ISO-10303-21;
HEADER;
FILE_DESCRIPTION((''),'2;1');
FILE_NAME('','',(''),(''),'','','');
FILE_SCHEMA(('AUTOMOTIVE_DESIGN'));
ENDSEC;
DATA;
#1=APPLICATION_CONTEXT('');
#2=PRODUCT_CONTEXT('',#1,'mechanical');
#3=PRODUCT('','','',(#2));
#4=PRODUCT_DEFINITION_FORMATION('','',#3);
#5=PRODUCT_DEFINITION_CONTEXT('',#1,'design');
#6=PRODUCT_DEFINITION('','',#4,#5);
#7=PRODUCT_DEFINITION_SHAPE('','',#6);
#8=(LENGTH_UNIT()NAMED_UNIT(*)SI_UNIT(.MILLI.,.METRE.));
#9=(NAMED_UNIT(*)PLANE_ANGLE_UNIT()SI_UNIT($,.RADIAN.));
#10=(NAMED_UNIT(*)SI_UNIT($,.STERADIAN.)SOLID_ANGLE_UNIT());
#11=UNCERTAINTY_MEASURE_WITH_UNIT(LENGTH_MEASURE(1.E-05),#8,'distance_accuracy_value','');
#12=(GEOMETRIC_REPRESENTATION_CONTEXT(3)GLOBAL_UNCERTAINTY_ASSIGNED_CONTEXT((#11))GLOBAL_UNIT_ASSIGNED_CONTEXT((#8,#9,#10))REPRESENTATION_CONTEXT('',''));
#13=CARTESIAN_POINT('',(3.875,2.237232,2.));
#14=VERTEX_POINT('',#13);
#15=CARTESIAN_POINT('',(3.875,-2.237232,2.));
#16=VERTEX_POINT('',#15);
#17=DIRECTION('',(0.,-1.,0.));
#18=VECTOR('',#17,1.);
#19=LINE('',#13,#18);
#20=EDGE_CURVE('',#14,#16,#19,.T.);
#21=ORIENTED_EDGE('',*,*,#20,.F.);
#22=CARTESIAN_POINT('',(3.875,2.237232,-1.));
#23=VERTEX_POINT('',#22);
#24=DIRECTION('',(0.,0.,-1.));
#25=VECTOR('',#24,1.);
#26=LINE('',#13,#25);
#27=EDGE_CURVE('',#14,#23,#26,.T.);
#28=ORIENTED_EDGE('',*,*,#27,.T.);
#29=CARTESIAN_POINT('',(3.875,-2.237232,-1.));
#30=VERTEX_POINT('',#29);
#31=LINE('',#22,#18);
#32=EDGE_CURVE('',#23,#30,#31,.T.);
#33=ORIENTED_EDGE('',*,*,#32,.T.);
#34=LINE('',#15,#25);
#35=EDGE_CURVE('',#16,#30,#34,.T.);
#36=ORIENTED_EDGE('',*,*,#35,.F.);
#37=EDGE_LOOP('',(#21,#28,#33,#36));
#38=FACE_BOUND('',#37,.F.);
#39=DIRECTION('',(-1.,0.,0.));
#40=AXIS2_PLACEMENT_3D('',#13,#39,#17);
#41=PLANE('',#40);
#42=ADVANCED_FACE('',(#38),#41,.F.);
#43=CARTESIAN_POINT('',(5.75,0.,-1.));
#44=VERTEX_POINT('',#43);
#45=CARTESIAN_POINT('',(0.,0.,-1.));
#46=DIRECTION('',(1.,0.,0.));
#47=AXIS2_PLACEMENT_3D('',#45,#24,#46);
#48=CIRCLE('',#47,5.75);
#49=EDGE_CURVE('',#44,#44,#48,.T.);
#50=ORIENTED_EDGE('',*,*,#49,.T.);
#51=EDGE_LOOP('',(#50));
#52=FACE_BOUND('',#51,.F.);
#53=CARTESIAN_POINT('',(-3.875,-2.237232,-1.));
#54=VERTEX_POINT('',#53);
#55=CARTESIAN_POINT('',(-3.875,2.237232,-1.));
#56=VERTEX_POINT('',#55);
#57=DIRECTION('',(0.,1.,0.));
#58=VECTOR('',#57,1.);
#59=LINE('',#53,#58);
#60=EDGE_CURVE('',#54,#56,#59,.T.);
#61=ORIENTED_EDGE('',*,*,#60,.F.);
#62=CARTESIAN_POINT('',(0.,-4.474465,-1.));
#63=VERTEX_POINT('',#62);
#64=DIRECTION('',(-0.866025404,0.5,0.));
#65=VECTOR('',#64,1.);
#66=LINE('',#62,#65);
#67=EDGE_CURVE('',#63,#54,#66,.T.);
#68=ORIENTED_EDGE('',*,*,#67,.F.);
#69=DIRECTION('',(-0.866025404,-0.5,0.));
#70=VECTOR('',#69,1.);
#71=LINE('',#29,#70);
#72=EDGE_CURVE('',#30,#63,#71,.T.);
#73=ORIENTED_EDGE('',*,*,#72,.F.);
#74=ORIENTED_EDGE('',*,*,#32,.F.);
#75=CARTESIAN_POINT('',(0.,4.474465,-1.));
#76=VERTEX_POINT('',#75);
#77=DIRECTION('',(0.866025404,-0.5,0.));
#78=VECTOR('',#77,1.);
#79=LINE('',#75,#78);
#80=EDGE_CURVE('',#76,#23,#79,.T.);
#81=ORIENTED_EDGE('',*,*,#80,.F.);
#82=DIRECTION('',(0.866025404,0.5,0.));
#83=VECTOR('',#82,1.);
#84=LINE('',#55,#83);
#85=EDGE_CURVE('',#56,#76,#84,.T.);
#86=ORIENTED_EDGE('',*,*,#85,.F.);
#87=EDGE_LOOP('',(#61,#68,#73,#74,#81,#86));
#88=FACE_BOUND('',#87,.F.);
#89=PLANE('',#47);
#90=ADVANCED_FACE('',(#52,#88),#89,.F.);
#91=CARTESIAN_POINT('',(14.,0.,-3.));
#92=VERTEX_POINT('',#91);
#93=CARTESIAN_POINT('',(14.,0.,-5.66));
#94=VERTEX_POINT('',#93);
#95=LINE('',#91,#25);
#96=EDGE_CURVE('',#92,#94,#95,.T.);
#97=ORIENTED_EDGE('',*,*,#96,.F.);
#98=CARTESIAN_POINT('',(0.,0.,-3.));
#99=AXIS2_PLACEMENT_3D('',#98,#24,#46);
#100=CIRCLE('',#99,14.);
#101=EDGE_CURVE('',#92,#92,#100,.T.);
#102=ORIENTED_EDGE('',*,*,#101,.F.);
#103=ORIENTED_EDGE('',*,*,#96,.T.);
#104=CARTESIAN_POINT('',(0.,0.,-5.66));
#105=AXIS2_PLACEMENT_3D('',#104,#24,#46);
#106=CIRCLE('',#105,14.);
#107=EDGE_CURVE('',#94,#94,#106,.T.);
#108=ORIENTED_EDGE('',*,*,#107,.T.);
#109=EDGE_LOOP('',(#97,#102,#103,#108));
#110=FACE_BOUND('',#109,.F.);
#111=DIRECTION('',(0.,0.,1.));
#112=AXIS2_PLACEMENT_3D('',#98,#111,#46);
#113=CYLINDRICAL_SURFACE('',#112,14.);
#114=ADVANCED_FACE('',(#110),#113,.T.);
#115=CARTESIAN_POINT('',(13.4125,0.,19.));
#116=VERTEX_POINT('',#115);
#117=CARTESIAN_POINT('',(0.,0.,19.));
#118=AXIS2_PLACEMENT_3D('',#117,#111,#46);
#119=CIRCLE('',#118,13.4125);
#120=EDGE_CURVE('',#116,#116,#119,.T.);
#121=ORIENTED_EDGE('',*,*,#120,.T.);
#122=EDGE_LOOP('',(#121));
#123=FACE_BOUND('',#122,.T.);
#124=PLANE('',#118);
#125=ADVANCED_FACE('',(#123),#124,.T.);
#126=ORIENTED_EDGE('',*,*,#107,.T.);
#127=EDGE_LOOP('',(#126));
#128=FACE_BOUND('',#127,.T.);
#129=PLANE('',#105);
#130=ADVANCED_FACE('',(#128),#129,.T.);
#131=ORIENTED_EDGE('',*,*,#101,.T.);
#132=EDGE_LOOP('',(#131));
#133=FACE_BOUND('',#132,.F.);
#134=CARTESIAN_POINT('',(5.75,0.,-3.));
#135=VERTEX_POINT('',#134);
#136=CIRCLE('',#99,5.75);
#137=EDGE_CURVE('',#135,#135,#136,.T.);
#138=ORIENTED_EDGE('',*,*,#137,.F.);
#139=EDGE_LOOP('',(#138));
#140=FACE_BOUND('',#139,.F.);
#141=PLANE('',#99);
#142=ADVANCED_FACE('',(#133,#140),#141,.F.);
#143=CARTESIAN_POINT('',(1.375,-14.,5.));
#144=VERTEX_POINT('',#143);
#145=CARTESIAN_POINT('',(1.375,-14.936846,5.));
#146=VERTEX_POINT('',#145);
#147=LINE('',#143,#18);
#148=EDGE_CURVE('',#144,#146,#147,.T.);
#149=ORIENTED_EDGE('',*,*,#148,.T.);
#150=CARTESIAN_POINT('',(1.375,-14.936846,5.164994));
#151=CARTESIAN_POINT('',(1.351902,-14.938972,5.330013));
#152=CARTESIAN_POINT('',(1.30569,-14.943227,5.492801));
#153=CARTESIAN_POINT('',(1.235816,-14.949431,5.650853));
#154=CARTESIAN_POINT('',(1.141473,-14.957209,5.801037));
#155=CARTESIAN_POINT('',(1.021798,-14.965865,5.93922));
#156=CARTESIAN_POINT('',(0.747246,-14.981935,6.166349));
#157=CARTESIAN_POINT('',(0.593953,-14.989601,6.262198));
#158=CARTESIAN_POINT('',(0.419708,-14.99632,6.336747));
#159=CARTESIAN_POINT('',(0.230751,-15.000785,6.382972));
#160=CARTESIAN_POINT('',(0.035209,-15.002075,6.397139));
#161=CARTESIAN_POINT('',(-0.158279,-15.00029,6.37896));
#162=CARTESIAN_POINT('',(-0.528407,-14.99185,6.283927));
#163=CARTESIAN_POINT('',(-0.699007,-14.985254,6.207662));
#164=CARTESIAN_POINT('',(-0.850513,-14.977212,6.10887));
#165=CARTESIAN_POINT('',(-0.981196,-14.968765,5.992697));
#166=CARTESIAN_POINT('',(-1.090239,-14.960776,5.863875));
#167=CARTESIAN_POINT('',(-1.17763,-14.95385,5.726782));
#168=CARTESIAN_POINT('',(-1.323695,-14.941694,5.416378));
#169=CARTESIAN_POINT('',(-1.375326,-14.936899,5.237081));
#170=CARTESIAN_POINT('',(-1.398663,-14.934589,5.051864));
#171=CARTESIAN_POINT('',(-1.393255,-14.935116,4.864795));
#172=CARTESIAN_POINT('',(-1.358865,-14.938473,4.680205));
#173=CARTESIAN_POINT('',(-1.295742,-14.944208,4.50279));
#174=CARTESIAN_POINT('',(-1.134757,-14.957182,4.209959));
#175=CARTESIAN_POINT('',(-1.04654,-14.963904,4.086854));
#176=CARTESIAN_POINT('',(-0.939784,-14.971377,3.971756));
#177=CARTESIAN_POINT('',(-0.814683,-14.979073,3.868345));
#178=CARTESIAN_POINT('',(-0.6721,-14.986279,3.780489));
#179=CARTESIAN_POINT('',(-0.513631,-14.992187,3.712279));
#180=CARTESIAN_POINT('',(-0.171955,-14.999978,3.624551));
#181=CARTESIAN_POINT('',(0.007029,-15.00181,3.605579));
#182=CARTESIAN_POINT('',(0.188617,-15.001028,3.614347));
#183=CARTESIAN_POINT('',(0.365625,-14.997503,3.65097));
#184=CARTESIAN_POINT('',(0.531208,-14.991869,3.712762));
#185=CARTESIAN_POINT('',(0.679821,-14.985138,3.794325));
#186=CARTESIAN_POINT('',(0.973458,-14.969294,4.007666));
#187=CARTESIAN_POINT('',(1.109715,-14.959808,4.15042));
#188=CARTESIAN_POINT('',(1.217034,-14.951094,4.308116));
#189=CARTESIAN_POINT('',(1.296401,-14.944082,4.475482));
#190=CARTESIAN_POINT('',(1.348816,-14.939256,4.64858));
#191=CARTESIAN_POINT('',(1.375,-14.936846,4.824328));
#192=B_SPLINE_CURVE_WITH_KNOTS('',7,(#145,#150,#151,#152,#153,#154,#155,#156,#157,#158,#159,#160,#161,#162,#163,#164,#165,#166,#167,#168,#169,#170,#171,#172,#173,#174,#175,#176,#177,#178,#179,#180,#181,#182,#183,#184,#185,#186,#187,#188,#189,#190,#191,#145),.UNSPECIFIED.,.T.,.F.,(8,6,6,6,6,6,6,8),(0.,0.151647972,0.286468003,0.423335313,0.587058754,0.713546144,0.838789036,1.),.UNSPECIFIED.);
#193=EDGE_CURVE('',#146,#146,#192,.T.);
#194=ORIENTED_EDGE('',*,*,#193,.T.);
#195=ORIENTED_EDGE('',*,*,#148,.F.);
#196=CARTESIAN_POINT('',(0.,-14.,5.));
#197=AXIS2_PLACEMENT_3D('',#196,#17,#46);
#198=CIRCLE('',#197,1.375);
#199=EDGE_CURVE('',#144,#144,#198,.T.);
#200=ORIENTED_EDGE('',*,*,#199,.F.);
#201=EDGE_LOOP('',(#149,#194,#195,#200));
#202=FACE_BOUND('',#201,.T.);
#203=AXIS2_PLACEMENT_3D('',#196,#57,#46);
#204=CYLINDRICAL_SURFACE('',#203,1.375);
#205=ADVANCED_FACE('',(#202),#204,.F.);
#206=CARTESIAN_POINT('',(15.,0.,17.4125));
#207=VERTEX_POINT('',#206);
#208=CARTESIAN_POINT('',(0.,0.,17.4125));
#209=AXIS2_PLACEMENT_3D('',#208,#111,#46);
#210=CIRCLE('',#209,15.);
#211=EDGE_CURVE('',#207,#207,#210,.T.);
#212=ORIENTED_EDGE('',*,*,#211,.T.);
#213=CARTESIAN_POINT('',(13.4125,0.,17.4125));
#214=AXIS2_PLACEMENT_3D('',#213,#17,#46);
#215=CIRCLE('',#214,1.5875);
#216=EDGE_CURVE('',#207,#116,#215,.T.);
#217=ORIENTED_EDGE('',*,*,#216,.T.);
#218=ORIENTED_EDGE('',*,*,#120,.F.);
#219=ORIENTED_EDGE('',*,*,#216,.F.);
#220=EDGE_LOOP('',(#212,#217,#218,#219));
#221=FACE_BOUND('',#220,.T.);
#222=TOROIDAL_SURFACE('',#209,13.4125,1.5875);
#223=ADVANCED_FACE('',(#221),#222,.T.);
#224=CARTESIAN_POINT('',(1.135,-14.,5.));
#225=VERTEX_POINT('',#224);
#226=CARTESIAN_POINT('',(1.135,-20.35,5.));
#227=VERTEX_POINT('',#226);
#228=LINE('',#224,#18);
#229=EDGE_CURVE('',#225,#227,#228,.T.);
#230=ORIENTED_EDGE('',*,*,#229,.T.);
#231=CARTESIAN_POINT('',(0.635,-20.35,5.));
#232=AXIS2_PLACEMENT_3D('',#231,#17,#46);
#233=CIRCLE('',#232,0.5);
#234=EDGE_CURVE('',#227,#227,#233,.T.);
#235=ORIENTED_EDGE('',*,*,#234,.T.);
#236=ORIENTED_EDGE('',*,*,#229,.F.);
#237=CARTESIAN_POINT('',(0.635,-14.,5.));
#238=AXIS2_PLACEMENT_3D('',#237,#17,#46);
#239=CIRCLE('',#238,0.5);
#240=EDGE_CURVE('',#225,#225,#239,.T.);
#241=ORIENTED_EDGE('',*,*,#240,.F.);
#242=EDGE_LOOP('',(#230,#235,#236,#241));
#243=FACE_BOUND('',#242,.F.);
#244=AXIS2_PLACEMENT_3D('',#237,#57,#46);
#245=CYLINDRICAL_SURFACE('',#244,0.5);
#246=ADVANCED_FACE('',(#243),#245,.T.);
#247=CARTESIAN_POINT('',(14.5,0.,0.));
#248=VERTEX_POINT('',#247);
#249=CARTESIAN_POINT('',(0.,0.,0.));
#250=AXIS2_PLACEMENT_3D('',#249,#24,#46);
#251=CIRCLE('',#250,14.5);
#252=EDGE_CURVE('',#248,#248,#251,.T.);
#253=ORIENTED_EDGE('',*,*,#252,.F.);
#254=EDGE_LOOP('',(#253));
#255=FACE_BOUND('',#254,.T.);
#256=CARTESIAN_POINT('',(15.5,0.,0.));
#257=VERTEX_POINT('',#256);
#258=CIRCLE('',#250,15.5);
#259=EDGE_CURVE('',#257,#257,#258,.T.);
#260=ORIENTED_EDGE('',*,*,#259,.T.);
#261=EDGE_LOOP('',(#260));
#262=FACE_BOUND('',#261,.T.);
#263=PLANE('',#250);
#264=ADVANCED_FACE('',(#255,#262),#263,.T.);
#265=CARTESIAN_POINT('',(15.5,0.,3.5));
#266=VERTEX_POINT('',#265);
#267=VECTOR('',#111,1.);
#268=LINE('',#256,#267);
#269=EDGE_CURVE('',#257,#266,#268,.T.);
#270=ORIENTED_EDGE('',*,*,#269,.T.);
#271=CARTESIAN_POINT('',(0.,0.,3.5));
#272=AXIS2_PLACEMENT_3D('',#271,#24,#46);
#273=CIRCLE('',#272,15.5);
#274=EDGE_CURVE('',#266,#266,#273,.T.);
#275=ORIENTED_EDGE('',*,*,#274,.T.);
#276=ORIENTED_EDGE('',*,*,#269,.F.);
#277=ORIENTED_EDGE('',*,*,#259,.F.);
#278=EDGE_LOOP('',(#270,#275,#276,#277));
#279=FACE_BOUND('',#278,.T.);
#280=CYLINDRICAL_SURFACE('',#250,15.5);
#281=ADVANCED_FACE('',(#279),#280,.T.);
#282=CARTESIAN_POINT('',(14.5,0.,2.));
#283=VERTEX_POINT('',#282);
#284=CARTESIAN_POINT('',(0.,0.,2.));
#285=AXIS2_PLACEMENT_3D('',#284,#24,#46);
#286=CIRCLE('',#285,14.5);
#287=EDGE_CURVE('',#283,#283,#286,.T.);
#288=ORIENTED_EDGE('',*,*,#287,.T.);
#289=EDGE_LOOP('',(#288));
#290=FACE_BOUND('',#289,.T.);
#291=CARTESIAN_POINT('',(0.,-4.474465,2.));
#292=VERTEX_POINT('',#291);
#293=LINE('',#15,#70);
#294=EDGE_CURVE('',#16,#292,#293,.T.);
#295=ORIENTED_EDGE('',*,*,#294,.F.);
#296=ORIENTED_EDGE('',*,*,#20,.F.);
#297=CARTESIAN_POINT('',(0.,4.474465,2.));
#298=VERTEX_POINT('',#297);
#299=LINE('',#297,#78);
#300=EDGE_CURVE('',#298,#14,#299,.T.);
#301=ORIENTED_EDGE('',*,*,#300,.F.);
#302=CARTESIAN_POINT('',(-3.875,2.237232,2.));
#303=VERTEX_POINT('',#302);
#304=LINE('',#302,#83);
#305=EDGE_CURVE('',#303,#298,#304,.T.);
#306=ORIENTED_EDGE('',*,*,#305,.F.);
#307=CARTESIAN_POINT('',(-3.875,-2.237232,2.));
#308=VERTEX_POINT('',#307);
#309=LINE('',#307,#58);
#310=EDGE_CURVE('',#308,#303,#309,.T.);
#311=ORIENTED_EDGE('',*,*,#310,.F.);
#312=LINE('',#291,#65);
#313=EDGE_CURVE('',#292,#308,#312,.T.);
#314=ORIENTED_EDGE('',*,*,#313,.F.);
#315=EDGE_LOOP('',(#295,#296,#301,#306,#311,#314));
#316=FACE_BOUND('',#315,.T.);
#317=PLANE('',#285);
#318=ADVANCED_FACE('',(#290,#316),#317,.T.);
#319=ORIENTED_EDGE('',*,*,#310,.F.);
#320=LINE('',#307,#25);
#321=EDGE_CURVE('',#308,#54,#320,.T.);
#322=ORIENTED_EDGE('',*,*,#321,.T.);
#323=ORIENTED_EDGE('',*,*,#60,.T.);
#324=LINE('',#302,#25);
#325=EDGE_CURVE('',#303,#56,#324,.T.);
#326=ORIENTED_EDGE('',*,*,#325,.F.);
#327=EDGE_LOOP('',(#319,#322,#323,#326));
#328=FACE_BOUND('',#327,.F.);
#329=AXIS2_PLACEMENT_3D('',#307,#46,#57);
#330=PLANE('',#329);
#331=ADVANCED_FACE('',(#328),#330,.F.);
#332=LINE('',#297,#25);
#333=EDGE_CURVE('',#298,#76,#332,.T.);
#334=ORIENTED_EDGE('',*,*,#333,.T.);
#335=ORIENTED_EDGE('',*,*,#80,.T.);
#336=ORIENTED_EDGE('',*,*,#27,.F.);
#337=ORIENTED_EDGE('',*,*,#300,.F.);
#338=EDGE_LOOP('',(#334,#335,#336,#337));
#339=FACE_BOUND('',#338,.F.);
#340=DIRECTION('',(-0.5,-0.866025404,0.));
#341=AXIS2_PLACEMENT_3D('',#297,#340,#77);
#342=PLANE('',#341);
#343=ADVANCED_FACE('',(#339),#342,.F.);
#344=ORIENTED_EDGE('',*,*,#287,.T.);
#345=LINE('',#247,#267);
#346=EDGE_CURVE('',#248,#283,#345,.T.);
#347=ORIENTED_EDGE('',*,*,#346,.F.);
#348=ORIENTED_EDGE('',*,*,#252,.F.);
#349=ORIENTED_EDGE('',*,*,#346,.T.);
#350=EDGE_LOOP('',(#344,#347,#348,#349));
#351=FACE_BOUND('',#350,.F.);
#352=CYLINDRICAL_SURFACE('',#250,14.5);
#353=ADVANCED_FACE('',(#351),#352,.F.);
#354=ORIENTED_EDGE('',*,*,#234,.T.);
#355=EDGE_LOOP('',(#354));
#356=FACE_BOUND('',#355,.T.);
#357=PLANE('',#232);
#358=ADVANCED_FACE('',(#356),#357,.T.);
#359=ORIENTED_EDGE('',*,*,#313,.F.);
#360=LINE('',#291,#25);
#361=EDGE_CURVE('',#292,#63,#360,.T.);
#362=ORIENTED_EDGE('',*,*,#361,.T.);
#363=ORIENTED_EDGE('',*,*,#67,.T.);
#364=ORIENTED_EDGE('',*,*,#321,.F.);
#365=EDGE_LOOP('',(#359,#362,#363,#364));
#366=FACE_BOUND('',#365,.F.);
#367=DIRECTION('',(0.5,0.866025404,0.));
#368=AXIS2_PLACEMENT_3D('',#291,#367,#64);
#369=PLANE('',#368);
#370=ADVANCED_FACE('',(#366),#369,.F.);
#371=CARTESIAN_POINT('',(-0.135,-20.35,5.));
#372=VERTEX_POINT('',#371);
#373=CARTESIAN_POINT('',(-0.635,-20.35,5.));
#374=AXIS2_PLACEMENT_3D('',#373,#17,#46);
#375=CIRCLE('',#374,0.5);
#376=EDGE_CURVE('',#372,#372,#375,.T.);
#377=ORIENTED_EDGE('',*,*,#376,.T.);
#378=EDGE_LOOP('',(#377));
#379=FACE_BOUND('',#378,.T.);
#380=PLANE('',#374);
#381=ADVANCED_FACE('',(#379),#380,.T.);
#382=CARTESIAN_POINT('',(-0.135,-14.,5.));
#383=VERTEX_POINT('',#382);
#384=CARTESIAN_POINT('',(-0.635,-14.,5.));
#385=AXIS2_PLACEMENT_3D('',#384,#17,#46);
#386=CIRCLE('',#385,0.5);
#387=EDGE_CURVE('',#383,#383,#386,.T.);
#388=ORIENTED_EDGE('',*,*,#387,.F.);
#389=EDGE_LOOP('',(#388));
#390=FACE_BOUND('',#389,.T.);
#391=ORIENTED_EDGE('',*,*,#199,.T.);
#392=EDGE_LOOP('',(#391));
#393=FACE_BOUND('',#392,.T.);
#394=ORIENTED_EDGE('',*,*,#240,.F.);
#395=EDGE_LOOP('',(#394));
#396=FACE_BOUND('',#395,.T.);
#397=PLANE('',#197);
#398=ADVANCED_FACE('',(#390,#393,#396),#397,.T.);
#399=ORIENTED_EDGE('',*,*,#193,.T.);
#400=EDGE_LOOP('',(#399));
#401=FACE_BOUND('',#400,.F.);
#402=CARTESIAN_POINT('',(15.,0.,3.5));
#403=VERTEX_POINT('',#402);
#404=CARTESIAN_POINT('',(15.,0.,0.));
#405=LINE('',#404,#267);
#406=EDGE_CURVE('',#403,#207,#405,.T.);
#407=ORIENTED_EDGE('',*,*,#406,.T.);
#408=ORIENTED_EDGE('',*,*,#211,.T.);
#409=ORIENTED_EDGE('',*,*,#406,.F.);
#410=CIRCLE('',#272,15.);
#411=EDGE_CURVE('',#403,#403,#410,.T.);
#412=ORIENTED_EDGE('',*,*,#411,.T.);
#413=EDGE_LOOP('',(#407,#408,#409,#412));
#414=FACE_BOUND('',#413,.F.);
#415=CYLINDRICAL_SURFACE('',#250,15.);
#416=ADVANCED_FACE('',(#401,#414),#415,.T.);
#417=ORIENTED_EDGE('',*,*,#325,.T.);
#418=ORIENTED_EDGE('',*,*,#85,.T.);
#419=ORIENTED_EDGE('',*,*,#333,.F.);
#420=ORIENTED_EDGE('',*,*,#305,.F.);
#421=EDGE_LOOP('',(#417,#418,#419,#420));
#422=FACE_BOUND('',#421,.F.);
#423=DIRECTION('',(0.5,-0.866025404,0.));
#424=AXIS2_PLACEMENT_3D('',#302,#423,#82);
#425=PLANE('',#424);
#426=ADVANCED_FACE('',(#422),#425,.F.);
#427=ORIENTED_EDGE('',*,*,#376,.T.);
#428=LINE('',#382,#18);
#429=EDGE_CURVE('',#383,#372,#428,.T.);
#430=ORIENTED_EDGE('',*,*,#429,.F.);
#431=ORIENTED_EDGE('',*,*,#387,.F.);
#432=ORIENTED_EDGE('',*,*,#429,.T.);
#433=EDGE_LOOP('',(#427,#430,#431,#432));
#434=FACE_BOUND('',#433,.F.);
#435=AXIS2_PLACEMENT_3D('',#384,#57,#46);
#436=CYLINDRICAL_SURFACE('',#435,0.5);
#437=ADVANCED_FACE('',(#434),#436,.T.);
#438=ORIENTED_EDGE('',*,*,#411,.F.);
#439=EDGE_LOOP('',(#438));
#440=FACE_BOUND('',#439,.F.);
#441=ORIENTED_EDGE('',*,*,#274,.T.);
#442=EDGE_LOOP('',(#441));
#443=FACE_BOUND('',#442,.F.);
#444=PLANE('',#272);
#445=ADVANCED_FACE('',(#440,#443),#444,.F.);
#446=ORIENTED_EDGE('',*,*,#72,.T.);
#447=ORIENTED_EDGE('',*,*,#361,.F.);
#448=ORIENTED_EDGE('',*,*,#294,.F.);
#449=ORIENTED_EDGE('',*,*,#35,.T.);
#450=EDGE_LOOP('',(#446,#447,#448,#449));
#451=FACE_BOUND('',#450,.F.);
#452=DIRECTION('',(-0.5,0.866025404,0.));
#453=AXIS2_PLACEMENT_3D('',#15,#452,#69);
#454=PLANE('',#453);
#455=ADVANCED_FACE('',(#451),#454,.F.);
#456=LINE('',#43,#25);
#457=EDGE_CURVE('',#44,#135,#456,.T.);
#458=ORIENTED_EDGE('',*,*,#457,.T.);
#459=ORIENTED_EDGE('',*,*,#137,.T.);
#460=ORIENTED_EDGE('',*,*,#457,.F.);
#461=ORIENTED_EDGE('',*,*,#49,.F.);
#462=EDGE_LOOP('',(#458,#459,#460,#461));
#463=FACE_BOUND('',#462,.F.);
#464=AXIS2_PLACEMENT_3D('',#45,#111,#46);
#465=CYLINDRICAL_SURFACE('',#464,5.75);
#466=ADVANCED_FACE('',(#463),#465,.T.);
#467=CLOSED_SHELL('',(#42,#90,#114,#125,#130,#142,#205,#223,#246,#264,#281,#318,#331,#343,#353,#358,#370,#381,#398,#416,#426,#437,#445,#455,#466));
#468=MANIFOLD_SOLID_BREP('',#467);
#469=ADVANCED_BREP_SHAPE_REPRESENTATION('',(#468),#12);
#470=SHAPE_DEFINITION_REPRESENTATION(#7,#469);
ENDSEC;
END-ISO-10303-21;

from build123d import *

# Parameters (mm, degrees)
F0_R      = 15
F1_DEPTH  = 19
F2_R      = 1.5875
F3_R      = 15.5
F3_R_2    = 15
F4_DEPTH  = 3.5
F5_R      = 14.5
F6_DEPTH  = 2
F8_DEPTH  = 3
F9_R      = 5.75
F10_DEPTH = 2
F11_R     = 14
F11_R_2   = 5.75
F12_DEPTH = 2.66
F14_START = 14
F13_R     = 1.375
F14_DEPTH = 11.4
F15_R     = 0.5
F16_DEPTH = 6.35


with BuildPart() as f1:
    # F0 (on Top) → F1 (new body)
    with BuildSketch(Plane.XY):
        Circle(F0_R)
    extrude(amount=F1_DEPTH)

    # F2
    f2_edges = [f1.edges().sort_by_distance(p)[0] for p in [
        (-15, 0, 19),
    ]]
    fillet(f2_edges, radius=F2_R)

    # F3 (on face) → F4 (join)
    with BuildSketch(Plane(origin=(0, 0, 0), x_dir=(1, 0, 0), z_dir=(0, 0, -1))):
        Circle(F3_R)
        Circle(F3_R_2, mode=Mode.SUBTRACT)
    extrude(amount=-F4_DEPTH)

    # F5 (on face) → F6 (cut)
    with BuildSketch(Plane(origin=(0, 0, 0), x_dir=(1, 0, 0), z_dir=(0, 0, -1))):
        Circle(F5_R)
    extrude(amount=-F6_DEPTH, mode=Mode.SUBTRACT)

    # F7 (on face) → F8 (join)
    with BuildSketch(Plane(origin=(0, 0, 2), x_dir=(1, 0, 0), z_dir=(0, 0, -1))):
        Polygon((0, 4.4744645862), (-3.875, 2.2372322931), (-3.875, -2.2372322931), (0, -4.4744645862), (3.875, -2.2372322931), (3.875, 2.2372322931), align=None)
    extrude(amount=F8_DEPTH)

    # F9 (on face) → F10 (join)
    with BuildSketch(Plane(origin=(0, 0, -1), x_dir=(1, 0, 0), z_dir=(0, 0, -1))):
        Circle(F9_R)
        Polygon((-3.875, 2.2372322931), (0, 4.4744645862), (3.875, 2.2372322931), (3.875, -2.2372322931), (0, -4.4744645862), (-3.875, -2.2372322931), align=None, mode=Mode.SUBTRACT)
        Polygon((3.875, 2.2372322931), (0, 4.4744645862), (-3.875, 2.2372322931), (-3.875, -2.2372322931), (0, -4.4744645862), (3.875, -2.2372322931), align=None)
    extrude(amount=F10_DEPTH)

    # F11 (on face) → F12 (join)
    with BuildSketch(Plane(origin=(0, 0, -3), x_dir=(1, 0, 0), z_dir=(0, 0, -1))):
        Circle(F11_R)
        Circle(F11_R_2, mode=Mode.SUBTRACT)
        Circle(F11_R_2)
    extrude(amount=F12_DEPTH)

    # F13 (on Front) → F14 (cut)
    with BuildSketch(Plane.XZ.offset(F14_START)):
        with Locations((0, 5)):
            Circle(F13_R)
    extrude(amount=F14_DEPTH, mode=Mode.SUBTRACT)

    # F15 (on face) → F16 (join)
    with BuildSketch(Plane.XZ.offset(14)):
        with Locations((-0.635, 5)):
            Circle(F15_R)
        with Locations((0.635, 5)):
            Circle(F15_R)
    extrude(amount=F16_DEPTH)


solid = f1.part
